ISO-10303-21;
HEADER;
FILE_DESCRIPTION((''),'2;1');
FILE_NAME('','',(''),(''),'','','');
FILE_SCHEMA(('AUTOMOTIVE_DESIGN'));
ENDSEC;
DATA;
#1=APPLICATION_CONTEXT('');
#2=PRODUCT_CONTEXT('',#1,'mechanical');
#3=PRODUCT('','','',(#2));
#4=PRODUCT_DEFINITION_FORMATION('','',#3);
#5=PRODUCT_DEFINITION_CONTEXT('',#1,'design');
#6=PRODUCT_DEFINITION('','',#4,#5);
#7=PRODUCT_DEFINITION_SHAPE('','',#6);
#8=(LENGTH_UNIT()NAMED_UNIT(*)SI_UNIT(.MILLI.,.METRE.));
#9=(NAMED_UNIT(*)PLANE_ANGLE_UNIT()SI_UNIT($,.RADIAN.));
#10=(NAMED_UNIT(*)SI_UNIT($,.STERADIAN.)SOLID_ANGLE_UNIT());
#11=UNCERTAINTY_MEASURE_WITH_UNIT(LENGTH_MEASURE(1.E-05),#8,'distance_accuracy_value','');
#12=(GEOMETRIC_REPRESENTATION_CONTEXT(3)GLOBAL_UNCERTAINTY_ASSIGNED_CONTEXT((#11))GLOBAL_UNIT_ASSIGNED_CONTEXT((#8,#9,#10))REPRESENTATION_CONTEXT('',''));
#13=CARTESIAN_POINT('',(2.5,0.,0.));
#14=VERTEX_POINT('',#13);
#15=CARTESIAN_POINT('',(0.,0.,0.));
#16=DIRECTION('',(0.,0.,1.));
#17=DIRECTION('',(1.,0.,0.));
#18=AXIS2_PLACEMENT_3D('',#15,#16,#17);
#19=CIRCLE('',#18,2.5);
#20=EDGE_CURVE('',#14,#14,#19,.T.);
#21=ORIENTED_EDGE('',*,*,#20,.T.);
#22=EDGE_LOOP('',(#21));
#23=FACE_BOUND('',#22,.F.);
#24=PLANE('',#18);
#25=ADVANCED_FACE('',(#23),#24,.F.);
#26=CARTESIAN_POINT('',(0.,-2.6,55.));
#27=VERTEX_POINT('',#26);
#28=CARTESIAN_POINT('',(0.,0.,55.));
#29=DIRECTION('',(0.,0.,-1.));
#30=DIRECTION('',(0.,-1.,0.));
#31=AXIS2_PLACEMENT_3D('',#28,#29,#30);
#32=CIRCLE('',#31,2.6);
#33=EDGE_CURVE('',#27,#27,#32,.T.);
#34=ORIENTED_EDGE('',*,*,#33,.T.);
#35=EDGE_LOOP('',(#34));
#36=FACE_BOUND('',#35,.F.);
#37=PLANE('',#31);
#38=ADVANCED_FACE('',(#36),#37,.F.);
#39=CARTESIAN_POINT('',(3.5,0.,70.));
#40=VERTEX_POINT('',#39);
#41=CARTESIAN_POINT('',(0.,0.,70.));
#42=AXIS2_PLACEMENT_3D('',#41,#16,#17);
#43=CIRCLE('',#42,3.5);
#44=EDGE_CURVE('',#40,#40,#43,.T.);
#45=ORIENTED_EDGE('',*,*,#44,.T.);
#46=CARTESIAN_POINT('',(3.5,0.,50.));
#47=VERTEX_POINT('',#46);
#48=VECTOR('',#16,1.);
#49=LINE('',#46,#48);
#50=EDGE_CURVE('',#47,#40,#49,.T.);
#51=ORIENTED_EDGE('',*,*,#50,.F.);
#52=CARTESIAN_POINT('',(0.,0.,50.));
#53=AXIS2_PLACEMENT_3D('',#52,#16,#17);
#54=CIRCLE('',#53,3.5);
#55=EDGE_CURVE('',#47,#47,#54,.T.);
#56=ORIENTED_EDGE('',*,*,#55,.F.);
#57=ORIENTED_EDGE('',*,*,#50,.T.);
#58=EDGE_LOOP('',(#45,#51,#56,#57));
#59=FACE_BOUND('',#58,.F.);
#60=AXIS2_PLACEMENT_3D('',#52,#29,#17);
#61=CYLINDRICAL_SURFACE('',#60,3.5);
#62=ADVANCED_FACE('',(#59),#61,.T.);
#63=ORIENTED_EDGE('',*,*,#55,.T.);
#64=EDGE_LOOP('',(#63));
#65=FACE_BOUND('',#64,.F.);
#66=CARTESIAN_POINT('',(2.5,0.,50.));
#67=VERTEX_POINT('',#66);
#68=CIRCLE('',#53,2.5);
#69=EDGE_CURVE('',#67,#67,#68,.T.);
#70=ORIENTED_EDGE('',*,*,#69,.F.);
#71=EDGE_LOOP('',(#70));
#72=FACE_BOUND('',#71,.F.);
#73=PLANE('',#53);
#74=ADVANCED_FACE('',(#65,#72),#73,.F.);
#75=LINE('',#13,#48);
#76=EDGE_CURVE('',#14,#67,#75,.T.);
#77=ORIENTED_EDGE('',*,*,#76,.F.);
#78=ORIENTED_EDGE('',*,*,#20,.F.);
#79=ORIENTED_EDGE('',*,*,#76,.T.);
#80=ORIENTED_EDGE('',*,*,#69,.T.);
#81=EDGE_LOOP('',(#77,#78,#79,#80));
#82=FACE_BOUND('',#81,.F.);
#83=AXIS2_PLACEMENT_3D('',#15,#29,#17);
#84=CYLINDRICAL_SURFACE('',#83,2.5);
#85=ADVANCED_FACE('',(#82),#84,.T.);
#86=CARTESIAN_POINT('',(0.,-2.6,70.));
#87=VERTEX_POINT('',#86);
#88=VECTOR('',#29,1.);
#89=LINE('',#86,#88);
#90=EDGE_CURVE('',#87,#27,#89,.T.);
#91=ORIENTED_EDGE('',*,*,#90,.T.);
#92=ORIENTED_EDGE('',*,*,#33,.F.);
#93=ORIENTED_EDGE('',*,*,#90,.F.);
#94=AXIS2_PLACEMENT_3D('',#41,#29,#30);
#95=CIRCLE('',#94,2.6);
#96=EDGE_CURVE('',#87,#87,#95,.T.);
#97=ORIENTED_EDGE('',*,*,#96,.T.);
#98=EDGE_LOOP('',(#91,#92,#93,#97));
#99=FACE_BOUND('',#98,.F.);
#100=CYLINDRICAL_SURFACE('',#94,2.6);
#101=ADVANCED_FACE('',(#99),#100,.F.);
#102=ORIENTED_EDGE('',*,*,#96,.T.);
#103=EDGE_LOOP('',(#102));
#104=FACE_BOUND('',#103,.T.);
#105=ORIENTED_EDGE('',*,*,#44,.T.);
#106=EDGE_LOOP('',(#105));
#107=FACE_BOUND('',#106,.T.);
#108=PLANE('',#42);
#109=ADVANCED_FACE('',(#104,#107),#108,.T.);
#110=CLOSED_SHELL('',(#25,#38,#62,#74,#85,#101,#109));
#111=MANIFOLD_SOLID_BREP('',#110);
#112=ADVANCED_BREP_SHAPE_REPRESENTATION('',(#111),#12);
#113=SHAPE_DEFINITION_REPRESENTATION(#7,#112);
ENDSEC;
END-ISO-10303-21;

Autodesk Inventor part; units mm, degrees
ref_plane "YZ Plane" through (0, 0, 0) normal (1, 0, 0) x (0, 1, 0)
ref_plane "XZ Plane" through (0, 0, 0) normal (0, 1, 0) x (-1, 0, 0)
ref_plane "XY Plane" through (0, 0, 0) normal (0, 0, 1) x (1, 0, 0)
sketch "Sketch1" plane through (0, 0, 0) normal (0, 0, 1) x (1, 0, 0)
  circle A0 centre (0, 0) radius 2.5
  dimension "d0" = 5
extrude "Extrusion1" add sketch "Sketch1" along normal blind 50
sketch "Sketch2" plane through (0, 0, 50) normal (0, 0, 1) x (1, 0, 0)
  circle A0 centre (0, 0) radius 3.5
  dimension "d3" = 7
extrude "Extrusion2" add sketch "Sketch2" along normal blind 20
sketch "Sketch3" plane through (0, 0, 70) normal (0, 0, 1) x (1, 0, 0)
  point P0 (0, 0)
  point P1 (0, 0)
hole "Hole1" at (0, 0, 70) direction (0, 0, -1) diameter 5.2 depth 15
equation "\"fitTol\" = 0.2"
properties part number "RCPlaneConnectorTest2"
